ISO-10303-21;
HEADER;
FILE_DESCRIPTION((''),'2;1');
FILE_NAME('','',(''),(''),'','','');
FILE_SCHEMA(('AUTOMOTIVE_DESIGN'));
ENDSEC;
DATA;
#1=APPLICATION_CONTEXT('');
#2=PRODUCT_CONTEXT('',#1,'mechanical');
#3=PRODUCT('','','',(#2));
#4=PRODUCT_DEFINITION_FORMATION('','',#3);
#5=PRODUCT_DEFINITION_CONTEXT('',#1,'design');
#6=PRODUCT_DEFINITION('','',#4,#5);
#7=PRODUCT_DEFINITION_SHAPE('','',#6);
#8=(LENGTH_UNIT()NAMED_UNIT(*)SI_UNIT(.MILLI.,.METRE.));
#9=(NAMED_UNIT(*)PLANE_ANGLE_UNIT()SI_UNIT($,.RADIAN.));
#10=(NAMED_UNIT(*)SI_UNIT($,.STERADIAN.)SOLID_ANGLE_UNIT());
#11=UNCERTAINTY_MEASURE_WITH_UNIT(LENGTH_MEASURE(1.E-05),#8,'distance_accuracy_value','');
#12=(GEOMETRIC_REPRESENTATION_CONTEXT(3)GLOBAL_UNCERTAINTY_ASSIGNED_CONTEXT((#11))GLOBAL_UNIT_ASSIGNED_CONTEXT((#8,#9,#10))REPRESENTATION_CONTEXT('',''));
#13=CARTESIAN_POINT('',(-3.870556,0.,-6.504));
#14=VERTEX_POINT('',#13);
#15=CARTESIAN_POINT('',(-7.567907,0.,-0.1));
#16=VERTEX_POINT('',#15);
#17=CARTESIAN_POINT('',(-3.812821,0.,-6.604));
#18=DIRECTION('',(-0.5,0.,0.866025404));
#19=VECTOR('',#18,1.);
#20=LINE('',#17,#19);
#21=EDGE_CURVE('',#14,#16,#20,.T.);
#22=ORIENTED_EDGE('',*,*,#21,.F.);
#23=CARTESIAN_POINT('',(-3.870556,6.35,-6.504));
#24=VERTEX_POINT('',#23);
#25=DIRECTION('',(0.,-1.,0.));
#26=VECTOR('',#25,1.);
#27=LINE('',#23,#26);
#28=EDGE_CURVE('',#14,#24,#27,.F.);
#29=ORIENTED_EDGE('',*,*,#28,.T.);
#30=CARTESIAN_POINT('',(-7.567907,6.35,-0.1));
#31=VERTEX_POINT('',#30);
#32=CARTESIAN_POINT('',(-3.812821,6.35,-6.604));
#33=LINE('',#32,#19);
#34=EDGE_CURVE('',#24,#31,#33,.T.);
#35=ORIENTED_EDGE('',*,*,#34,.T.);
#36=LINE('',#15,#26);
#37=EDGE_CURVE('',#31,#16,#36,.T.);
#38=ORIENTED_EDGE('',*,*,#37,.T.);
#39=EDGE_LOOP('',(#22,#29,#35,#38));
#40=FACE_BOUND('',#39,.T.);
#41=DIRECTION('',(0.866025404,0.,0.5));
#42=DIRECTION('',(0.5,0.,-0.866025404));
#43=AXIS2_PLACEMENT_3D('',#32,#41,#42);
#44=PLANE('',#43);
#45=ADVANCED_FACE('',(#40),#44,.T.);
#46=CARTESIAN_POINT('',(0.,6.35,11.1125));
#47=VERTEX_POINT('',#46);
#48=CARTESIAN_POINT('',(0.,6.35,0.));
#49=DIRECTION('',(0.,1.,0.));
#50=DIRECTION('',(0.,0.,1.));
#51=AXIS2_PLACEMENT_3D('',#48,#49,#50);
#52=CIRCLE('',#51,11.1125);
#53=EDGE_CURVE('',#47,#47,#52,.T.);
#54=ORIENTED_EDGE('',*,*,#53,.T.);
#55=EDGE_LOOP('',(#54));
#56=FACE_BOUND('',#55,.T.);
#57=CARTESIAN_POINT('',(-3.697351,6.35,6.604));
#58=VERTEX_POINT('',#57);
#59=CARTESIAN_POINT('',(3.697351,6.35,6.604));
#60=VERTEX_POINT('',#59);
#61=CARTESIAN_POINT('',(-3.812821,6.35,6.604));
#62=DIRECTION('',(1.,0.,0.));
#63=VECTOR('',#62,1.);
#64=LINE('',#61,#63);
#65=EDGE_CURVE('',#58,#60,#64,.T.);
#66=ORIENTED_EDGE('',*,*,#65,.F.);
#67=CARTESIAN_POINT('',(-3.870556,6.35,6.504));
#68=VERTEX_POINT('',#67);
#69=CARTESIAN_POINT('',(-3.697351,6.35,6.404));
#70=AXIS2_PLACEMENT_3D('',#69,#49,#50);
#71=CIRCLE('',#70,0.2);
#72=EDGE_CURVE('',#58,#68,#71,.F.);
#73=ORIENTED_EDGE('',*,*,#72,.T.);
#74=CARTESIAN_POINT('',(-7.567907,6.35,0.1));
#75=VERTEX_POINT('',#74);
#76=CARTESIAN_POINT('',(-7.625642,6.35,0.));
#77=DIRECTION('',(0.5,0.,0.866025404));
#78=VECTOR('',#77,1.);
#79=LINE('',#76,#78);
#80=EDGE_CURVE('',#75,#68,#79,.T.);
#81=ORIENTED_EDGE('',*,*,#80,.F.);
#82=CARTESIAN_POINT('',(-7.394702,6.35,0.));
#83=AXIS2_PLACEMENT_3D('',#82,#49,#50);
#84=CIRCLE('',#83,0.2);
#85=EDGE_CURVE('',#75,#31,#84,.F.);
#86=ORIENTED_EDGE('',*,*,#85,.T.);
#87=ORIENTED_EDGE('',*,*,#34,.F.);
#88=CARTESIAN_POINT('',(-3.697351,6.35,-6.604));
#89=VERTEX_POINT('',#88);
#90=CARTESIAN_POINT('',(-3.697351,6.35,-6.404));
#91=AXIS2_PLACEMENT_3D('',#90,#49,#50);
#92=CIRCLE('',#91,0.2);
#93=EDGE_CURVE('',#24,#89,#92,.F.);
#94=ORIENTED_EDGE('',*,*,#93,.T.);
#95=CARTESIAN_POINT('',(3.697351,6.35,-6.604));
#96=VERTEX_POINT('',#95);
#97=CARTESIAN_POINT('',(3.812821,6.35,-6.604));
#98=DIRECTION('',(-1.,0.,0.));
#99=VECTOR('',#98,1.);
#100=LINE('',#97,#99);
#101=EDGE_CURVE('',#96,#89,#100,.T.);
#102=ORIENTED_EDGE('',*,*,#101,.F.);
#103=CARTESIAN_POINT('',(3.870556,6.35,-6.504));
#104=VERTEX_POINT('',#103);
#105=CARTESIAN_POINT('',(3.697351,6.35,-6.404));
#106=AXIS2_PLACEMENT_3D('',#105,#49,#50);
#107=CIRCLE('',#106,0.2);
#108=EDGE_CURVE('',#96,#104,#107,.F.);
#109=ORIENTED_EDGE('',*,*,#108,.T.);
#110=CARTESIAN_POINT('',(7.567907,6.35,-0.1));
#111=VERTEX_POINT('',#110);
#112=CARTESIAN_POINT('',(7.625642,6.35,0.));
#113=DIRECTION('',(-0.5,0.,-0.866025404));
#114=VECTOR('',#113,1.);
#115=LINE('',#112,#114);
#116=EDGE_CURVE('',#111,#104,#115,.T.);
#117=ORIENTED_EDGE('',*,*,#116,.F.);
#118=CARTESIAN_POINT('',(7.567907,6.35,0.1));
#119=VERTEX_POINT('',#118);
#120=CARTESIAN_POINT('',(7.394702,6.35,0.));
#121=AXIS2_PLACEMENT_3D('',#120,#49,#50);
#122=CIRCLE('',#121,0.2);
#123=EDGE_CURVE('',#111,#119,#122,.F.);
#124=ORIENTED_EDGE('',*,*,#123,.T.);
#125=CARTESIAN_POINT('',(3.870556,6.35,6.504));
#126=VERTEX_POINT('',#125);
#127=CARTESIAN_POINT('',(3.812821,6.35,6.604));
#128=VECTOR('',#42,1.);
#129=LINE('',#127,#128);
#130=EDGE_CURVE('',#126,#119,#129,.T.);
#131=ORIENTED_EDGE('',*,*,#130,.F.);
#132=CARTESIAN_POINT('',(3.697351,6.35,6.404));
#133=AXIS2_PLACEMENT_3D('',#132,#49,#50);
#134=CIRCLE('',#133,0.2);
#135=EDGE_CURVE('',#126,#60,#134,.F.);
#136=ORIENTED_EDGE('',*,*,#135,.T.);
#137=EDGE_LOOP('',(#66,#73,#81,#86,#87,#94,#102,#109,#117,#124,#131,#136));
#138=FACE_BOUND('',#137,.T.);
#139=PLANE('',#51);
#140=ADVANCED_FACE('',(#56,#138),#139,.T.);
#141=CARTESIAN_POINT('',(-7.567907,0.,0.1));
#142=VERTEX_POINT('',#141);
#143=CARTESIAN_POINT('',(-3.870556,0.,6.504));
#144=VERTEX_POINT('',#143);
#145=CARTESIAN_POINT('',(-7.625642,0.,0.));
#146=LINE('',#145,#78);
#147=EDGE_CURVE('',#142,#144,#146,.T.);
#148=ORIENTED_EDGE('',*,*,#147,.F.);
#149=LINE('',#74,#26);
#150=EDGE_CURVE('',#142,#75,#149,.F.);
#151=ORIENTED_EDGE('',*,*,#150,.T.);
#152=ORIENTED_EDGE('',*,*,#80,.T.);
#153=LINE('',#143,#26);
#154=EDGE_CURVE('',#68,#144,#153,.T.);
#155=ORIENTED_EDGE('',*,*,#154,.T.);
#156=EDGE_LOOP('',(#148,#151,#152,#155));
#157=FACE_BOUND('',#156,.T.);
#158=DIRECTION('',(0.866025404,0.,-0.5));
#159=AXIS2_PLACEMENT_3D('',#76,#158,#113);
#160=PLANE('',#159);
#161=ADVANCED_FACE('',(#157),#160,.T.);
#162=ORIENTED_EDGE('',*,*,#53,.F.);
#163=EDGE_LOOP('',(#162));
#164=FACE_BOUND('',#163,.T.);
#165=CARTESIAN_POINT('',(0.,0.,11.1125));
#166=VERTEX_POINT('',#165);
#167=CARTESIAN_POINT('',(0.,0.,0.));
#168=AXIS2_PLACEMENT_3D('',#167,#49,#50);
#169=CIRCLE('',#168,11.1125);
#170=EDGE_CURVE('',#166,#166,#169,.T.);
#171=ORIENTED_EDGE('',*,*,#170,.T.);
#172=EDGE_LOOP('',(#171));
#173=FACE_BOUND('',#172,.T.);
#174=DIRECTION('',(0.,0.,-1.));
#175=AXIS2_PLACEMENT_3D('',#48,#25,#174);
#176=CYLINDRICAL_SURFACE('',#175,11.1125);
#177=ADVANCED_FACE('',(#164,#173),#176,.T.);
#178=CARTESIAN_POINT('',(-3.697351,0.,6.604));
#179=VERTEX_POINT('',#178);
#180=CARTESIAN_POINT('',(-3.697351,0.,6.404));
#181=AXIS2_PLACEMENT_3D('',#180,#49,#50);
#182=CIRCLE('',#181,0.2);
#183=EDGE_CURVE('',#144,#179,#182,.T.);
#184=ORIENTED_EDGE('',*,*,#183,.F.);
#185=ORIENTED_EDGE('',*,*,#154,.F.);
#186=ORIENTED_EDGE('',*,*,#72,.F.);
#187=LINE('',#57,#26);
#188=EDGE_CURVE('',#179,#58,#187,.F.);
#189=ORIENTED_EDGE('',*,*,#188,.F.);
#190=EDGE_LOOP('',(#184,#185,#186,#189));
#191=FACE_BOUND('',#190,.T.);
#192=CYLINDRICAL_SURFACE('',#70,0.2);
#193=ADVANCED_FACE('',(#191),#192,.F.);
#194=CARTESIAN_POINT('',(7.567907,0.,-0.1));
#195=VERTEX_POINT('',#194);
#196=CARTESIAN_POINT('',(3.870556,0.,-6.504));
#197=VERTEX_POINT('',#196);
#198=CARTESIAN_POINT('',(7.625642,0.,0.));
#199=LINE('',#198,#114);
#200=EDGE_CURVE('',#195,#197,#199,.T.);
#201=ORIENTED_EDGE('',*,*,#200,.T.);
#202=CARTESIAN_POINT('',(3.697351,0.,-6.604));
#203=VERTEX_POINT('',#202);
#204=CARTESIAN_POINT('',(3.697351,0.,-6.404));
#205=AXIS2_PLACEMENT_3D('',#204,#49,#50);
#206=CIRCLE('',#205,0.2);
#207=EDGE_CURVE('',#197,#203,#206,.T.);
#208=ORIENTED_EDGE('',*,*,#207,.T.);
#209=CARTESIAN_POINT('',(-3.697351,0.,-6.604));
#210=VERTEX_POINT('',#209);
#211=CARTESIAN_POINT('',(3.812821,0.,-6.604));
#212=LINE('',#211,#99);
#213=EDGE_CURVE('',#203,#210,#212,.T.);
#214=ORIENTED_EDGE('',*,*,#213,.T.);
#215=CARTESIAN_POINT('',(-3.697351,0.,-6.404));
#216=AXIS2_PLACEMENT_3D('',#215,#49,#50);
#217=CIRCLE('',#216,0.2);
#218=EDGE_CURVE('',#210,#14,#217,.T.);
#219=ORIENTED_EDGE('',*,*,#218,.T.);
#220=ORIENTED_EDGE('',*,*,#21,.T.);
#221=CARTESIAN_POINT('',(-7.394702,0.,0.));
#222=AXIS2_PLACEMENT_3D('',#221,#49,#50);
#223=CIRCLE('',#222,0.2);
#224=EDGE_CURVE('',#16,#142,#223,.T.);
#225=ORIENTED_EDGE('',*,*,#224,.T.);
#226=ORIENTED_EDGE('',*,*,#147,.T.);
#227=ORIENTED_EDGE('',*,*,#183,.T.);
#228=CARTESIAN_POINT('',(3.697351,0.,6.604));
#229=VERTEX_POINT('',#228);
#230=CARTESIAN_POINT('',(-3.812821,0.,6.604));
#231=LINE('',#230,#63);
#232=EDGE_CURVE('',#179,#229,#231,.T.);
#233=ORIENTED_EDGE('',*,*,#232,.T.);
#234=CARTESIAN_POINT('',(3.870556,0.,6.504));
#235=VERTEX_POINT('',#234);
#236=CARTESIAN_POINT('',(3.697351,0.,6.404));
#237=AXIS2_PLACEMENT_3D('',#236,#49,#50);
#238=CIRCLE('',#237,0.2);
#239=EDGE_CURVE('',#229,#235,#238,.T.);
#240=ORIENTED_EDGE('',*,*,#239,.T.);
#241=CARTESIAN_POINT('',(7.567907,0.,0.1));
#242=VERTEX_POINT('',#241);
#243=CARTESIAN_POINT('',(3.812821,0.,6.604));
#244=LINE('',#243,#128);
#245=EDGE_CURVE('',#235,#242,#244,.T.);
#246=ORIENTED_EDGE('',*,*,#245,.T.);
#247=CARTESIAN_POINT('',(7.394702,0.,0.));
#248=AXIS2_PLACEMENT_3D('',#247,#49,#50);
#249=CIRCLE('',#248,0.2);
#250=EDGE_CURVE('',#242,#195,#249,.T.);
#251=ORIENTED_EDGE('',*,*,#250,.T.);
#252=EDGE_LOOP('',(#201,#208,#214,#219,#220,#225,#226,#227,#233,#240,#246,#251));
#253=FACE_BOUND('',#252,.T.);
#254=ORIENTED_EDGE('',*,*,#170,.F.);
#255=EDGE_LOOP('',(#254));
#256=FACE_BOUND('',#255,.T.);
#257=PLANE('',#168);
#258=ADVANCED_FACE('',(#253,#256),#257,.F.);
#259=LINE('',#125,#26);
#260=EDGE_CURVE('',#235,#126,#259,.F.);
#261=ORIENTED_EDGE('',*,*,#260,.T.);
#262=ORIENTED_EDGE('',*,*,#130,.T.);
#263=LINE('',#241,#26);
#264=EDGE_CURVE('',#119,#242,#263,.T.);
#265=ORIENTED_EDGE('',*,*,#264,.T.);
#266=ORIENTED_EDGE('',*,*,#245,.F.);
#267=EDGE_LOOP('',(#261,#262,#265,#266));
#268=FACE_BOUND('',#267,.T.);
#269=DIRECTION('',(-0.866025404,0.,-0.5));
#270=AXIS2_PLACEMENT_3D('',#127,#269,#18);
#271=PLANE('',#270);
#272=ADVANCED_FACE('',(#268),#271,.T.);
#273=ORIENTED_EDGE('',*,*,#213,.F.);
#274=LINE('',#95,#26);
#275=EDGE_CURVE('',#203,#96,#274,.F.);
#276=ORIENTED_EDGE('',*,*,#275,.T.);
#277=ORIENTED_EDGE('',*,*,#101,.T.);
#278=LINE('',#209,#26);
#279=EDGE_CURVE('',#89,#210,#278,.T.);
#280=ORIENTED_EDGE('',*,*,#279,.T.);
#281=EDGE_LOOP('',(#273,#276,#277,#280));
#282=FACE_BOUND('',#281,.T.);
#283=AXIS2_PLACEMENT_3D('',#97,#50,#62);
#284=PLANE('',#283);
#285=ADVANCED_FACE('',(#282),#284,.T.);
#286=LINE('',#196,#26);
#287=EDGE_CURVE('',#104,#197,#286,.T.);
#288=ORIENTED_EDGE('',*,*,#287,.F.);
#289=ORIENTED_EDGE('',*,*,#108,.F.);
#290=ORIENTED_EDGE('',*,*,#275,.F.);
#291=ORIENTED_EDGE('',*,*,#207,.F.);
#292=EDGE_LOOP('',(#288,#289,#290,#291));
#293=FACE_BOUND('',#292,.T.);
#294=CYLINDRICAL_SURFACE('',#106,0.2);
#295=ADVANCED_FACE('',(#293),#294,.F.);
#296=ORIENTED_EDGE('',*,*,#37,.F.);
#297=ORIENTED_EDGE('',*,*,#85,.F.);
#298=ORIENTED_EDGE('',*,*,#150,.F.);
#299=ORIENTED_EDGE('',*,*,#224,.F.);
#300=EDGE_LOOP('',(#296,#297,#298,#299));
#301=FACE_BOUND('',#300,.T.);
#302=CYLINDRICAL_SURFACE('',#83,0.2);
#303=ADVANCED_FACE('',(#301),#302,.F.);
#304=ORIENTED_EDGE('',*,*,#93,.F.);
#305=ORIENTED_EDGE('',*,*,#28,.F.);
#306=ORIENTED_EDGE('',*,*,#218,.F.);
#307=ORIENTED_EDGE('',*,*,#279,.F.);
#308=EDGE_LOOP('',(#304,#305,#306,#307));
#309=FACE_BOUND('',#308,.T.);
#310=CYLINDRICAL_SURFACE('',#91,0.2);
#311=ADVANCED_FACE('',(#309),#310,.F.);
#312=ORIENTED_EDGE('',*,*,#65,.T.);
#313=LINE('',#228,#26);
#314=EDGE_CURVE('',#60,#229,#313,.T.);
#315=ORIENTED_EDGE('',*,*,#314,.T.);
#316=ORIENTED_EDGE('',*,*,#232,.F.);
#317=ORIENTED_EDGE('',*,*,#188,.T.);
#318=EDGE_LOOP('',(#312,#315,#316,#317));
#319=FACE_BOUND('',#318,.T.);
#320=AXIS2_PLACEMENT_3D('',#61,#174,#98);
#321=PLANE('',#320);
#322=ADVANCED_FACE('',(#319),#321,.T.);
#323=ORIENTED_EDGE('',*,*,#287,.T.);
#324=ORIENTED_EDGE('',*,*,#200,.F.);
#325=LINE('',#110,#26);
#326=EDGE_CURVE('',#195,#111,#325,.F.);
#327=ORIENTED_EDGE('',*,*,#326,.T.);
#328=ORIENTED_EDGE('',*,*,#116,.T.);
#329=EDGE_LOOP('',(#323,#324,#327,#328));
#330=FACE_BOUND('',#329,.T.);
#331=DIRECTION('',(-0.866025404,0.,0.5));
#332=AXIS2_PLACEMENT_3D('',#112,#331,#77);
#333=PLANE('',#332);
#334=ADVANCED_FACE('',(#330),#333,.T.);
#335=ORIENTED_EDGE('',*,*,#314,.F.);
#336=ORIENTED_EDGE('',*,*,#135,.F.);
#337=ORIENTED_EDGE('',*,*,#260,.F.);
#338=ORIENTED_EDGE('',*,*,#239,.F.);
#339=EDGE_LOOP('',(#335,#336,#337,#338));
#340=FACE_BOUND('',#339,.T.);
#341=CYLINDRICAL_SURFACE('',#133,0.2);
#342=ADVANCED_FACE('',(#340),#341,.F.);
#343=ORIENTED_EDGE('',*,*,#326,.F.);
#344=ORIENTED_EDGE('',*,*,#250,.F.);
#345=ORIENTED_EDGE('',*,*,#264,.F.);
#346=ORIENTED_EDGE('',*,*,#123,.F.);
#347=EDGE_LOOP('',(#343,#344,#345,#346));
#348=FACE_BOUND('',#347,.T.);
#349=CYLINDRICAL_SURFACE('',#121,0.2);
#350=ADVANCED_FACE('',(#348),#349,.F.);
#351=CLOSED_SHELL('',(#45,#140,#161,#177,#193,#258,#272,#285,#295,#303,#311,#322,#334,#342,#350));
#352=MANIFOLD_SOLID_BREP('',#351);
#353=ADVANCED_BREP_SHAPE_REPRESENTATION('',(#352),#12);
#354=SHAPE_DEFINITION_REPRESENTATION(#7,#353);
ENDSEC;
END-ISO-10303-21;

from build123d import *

# Parameters (mm, degrees)
SKETCH1_R           = 11.1125
BOSS_EXTRUDE1_DEPTH = 6.35
FILLET1_R           = 0.2


with BuildPart() as part:
    # Sketch1 → Boss-Extrude1 (new body)
    with BuildSketch(Plane(origin=(0, 0, 0), x_dir=(1, 0, 0), z_dir=(0, 1, 0))):
        Circle(SKETCH1_R)
        Polygon((7.625642355, 0), (3.812821178, 6.604), (-3.812821178, 6.604), (-7.625642355, 0), (-3.812821178, -6.604), (3.812821178, -6.604), align=None, mode=Mode.SUBTRACT)
    extrude(amount=BOSS_EXTRUDE1_DEPTH)

    # Fillet1
    fillet1_edges = [part.edges().sort_by_distance(p)[0] for p in [
        (7.625642355, 3.175, 0),
        (3.812821178, 3.175, -6.604),
        (-3.812821178, 3.175, -6.604),
        (-7.625642355, 3.175, 0),
        (-3.812821178, 3.175, 6.604),
        (3.812821178, 3.175, 6.604),
    ]]
    fillet(fillet1_edges, radius=FILLET1_R)


solid = part.part
